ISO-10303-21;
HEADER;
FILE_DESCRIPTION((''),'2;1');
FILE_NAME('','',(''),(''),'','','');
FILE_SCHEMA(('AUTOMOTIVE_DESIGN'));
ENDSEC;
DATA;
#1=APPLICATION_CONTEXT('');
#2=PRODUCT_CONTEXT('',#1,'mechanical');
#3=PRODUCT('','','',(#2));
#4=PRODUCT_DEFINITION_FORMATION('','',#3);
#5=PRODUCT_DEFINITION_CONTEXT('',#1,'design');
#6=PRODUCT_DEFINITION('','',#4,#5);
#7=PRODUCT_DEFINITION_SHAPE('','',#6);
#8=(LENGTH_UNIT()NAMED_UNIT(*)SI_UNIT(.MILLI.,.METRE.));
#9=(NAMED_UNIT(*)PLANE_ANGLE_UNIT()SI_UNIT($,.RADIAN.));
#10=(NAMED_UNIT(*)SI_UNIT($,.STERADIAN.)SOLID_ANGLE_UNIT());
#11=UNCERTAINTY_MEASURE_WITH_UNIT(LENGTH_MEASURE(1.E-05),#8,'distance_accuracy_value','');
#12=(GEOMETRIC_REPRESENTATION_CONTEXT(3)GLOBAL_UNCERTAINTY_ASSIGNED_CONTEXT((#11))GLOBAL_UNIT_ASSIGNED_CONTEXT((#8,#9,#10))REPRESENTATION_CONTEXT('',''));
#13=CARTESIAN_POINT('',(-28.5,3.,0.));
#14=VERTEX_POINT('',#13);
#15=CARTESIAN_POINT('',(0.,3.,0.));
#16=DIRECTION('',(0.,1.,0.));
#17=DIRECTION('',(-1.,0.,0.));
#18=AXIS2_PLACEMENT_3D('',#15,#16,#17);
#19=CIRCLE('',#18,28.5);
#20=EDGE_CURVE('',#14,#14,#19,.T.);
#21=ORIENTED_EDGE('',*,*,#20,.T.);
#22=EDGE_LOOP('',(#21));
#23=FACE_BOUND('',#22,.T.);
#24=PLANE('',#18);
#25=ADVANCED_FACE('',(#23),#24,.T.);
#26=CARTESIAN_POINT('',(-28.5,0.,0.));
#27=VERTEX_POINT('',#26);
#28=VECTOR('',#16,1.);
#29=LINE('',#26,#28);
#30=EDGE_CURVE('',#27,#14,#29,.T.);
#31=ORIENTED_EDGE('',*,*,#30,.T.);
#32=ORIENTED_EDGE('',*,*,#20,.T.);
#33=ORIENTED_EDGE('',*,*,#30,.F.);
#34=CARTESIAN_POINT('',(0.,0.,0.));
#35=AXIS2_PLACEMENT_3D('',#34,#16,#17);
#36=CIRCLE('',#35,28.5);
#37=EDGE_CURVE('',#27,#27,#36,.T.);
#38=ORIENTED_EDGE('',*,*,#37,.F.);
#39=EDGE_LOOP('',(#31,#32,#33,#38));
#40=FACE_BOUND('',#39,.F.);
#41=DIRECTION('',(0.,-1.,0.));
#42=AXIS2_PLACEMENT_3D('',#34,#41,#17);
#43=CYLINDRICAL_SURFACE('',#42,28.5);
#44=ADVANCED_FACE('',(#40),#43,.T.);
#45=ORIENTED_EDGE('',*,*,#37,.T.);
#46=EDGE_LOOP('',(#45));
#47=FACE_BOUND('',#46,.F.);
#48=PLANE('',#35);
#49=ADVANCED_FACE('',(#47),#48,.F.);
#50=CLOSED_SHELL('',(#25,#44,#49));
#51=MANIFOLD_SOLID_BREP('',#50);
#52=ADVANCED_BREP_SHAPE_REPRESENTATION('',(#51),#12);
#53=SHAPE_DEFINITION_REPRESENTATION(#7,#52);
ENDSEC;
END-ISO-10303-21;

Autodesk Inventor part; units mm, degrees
ref_plane "YZ Plane" through (0, 0, 0) normal (1, 0, 0) x (0, 1, 0)
ref_plane "XZ Plane" through (0, 0, 0) normal (0, 1, 0) x (-1, 0, 0)
ref_plane "XY Plane" through (0, 0, 0) normal (0, 0, 1) x (1, 0, 0)
sketch "Sketch1" plane through (0, 0, 0) normal (0, 1, 0) x (-1, 0, 0)
  circle A0 centre (0, 0) radius 28.5
  dimension "d0" = 57
extrude "Extrusion1" add sketch "Sketch1" along normal blind 3
properties part number "Window" material "Glass"
